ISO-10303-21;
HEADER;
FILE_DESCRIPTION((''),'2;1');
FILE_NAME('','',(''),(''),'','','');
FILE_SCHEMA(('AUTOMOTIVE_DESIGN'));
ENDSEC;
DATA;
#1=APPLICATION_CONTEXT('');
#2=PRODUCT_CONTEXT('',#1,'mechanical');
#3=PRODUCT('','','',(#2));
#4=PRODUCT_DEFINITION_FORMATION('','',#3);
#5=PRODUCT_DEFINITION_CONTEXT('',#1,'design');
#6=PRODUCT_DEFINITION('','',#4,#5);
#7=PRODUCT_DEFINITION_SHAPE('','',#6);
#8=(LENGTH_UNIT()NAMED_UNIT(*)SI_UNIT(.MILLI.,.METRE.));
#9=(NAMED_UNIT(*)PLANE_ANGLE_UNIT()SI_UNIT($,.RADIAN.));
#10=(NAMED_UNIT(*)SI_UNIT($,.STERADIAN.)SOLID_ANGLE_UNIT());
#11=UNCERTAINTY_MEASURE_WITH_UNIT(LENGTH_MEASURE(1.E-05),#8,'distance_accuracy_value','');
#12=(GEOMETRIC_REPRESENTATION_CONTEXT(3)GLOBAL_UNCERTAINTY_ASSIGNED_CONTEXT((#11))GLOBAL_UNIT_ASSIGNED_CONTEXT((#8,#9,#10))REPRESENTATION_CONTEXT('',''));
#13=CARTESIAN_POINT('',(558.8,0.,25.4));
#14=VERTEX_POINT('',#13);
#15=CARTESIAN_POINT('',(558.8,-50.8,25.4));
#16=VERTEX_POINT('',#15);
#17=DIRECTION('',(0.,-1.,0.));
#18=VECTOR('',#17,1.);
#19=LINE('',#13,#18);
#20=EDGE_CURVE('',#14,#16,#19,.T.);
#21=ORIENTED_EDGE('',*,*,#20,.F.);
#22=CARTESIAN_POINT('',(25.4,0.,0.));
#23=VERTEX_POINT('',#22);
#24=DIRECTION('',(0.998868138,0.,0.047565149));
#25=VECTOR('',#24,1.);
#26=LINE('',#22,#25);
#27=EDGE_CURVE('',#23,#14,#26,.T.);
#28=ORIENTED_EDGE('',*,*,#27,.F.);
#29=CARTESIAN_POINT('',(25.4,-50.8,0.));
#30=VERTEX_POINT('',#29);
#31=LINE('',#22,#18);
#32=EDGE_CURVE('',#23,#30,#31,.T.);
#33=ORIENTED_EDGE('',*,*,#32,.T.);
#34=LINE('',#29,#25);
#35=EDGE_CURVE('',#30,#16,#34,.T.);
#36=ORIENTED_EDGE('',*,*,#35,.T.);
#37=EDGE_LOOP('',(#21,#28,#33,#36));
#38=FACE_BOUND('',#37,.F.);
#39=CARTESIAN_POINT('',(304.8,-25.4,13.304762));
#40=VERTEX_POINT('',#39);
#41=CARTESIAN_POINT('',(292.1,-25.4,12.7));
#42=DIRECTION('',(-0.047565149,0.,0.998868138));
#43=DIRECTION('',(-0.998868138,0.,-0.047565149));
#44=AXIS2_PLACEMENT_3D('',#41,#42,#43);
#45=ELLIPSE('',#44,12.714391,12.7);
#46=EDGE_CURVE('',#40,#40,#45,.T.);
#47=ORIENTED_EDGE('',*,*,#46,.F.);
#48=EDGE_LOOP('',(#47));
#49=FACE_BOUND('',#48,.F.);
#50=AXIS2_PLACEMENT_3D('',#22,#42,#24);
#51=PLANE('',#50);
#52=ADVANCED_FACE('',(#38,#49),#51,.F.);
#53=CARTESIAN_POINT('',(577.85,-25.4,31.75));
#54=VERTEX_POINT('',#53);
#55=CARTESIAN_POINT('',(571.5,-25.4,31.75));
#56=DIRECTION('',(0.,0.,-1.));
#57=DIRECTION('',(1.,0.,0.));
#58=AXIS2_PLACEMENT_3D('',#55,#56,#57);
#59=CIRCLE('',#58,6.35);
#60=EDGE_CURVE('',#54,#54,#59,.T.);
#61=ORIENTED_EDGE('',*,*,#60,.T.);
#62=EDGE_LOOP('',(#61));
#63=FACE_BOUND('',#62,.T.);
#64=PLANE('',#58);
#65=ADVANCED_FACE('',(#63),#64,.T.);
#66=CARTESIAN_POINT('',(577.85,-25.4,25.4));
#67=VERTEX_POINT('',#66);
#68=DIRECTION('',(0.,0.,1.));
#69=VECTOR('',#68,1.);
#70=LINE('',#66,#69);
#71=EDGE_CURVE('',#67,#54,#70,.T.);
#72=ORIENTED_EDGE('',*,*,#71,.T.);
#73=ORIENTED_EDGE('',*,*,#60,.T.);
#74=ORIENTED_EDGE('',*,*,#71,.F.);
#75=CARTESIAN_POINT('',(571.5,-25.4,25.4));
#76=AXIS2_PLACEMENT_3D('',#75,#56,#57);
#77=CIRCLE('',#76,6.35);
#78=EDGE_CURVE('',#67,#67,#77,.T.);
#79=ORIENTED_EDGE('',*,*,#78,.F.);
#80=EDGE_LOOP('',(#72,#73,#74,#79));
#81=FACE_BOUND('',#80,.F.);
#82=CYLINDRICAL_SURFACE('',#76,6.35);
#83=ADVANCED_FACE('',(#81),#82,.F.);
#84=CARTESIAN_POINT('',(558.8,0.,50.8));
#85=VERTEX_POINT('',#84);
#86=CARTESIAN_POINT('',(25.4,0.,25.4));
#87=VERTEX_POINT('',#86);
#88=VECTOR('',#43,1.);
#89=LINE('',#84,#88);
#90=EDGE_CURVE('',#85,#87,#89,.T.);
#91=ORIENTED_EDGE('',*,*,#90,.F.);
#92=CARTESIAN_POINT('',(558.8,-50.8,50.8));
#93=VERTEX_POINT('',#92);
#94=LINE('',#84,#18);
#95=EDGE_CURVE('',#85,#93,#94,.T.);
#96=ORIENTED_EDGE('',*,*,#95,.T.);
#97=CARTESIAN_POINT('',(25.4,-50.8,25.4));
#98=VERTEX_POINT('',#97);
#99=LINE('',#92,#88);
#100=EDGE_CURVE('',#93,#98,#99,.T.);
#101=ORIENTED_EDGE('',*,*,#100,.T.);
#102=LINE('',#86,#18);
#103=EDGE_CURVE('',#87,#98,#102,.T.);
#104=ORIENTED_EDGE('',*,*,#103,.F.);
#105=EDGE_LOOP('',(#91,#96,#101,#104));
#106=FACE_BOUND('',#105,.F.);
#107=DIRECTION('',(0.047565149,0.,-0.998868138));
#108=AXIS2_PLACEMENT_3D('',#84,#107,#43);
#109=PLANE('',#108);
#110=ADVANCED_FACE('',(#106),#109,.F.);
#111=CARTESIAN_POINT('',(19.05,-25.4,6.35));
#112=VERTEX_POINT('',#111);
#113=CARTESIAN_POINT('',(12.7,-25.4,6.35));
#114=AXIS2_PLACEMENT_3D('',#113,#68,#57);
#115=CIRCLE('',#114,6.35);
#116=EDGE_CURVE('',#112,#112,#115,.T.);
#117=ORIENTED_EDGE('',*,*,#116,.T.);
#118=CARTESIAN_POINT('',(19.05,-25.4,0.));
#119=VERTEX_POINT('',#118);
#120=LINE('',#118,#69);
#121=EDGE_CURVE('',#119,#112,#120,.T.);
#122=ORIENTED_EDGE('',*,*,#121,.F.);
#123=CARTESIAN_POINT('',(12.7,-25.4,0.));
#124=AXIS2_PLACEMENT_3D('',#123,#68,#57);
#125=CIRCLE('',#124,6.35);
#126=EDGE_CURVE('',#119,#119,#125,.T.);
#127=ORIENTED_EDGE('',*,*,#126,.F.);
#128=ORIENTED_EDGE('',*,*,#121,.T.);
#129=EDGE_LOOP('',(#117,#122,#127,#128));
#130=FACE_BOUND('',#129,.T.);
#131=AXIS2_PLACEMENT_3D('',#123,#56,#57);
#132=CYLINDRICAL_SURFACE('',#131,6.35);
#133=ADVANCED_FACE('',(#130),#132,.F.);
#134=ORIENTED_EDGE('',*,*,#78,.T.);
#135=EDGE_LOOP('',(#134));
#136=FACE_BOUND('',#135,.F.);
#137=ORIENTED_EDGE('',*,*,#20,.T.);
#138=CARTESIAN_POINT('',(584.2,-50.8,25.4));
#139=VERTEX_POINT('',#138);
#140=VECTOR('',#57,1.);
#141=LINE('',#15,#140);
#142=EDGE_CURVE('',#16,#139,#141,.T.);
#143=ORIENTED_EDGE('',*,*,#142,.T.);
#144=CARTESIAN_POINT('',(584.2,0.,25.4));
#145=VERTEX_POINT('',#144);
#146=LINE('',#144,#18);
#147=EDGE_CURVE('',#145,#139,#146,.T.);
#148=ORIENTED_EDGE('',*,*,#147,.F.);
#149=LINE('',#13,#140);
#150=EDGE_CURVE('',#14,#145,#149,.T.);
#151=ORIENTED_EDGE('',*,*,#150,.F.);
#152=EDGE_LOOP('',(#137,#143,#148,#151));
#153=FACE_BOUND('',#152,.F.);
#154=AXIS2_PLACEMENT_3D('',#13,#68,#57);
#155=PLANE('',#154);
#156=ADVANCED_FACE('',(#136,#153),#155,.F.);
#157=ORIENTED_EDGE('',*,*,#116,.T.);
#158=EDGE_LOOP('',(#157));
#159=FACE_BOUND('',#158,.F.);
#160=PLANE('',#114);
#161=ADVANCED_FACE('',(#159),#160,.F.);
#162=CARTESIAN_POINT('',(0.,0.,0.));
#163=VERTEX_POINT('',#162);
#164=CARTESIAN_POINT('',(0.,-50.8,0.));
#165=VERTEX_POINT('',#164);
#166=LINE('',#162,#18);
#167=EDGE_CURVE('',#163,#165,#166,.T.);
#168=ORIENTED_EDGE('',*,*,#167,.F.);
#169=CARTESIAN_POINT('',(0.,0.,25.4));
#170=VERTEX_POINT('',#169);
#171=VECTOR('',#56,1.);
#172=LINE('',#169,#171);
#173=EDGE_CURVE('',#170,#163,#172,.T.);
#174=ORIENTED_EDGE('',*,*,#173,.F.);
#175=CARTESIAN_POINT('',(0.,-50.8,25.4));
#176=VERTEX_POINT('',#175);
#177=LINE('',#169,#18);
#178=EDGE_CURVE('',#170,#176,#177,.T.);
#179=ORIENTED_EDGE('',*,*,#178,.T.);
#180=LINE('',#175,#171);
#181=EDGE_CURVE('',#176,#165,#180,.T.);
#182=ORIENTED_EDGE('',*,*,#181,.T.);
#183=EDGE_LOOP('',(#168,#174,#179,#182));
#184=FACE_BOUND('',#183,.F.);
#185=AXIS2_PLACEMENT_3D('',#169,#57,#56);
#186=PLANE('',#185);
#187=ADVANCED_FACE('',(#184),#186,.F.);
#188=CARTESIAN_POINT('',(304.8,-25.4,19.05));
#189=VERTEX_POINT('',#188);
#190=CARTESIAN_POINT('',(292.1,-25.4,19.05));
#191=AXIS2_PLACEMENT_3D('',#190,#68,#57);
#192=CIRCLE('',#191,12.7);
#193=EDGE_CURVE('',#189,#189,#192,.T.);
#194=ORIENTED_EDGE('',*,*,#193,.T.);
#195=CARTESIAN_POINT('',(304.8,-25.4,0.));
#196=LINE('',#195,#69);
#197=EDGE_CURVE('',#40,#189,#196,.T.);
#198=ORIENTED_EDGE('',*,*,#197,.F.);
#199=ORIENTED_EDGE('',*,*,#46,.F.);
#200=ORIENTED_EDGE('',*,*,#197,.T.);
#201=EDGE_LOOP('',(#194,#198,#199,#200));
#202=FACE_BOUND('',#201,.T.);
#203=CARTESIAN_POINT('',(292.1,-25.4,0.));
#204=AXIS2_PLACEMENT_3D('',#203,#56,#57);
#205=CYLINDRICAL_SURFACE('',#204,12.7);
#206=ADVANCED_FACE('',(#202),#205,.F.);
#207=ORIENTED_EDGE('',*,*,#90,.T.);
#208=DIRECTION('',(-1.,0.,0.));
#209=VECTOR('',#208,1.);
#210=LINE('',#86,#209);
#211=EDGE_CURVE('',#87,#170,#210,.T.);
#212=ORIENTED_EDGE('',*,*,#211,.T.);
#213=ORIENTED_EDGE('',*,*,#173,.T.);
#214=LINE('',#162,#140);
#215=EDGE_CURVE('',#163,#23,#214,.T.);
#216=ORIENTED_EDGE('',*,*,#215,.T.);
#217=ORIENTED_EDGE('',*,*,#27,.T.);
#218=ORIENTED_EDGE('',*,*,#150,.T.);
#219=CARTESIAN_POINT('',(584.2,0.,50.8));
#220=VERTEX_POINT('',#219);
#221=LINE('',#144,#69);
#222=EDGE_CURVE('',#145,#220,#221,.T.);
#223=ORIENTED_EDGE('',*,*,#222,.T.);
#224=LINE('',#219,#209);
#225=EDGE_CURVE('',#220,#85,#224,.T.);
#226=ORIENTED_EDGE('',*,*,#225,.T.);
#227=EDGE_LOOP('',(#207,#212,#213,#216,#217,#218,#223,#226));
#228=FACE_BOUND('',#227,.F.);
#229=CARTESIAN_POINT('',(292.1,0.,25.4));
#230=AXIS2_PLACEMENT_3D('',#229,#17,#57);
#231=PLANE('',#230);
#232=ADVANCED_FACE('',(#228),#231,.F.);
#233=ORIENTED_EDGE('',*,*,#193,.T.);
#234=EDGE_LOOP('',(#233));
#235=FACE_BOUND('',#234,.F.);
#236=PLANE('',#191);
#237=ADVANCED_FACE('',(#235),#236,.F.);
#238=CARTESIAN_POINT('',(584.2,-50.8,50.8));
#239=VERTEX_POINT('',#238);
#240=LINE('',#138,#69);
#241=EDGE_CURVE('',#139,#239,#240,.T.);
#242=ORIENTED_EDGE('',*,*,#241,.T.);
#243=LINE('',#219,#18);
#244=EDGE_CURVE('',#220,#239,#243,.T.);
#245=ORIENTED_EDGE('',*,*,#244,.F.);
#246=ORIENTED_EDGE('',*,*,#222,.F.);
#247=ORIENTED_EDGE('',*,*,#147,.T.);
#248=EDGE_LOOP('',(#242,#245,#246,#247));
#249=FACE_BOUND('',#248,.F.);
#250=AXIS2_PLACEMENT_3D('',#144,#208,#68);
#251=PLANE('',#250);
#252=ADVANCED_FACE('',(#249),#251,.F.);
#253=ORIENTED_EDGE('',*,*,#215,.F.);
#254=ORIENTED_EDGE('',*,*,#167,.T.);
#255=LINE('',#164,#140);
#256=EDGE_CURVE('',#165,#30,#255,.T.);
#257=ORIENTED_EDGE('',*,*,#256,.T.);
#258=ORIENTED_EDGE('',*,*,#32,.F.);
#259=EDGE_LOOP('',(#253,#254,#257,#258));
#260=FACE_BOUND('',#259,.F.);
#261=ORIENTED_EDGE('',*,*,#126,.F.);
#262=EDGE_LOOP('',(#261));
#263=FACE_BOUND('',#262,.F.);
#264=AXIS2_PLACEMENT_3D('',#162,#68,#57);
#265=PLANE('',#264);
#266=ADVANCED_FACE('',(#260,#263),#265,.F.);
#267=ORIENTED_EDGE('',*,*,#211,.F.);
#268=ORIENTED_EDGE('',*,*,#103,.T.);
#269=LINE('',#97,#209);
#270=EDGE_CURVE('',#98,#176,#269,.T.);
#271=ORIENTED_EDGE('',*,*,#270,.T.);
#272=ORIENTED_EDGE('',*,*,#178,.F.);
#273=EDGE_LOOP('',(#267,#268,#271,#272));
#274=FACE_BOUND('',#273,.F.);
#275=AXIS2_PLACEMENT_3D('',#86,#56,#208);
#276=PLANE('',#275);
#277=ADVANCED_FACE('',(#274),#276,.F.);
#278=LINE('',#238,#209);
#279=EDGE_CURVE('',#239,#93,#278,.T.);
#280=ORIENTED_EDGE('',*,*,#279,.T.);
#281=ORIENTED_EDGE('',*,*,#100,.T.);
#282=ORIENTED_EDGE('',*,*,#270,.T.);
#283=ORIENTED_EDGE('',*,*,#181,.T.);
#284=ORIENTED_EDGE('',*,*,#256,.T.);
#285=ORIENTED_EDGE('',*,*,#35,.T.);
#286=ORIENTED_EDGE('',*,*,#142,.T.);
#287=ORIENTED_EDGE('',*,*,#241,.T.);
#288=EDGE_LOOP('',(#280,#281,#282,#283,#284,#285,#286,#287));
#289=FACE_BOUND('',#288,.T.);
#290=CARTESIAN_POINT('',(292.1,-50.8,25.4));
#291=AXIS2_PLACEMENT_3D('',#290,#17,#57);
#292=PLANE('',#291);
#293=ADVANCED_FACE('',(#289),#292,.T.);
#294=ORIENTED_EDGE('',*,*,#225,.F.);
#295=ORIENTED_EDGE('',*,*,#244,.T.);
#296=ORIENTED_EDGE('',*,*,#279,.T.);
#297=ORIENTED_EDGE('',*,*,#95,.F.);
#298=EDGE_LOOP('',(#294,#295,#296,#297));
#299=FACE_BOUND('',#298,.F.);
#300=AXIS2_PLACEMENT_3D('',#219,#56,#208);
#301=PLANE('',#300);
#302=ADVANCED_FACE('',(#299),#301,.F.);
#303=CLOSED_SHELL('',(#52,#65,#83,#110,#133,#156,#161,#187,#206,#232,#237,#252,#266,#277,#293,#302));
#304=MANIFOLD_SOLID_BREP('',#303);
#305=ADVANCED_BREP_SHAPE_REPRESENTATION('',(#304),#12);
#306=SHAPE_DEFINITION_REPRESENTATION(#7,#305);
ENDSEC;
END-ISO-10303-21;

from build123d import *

# Parameters (mm, degrees)
F1_DEPTH = 50.8
F2_R     = 6.35
F3_DEPTH = 6.35
F4_R     = 12.7
F5_DEPTH = 19.05
F6_R     = 6.35
F7_DEPTH = 6.35


with BuildPart() as f1:
    # F0 (on Front) → F1 (new body)
    with BuildSketch(Plane.XZ):
        Polygon((0, 25.4), (0, 0), (25.4, 0), (558.8, 25.4), (584.2, 25.4), (584.2, 50.8), (558.8, 50.8), (25.4, 25.4), align=None)
    extrude(amount=F1_DEPTH)

    # F2 (on Top) → F3 (cut)
    with BuildSketch(Plane.XY):
        with Locations((12.7, -25.4)):
            Circle(F2_R)
    extrude(amount=F3_DEPTH, mode=Mode.SUBTRACT)

    # F4 (on Top) → F5 (cut)
    with BuildSketch(Plane.XY):
        with Locations((292.1, -25.4)):
            Circle(F4_R)
    extrude(amount=F5_DEPTH, mode=Mode.SUBTRACT)

    # F6 (on face) → F7 (cut)
    with BuildSketch(Plane(origin=(0, 0, 25.4), x_dir=(1, 0, 0), z_dir=(0, 0, -1))):
        with Locations((571.5, 25.4)):
            Circle(F6_R)
    extrude(amount=-F7_DEPTH, mode=Mode.SUBTRACT)


solid = f1.part
